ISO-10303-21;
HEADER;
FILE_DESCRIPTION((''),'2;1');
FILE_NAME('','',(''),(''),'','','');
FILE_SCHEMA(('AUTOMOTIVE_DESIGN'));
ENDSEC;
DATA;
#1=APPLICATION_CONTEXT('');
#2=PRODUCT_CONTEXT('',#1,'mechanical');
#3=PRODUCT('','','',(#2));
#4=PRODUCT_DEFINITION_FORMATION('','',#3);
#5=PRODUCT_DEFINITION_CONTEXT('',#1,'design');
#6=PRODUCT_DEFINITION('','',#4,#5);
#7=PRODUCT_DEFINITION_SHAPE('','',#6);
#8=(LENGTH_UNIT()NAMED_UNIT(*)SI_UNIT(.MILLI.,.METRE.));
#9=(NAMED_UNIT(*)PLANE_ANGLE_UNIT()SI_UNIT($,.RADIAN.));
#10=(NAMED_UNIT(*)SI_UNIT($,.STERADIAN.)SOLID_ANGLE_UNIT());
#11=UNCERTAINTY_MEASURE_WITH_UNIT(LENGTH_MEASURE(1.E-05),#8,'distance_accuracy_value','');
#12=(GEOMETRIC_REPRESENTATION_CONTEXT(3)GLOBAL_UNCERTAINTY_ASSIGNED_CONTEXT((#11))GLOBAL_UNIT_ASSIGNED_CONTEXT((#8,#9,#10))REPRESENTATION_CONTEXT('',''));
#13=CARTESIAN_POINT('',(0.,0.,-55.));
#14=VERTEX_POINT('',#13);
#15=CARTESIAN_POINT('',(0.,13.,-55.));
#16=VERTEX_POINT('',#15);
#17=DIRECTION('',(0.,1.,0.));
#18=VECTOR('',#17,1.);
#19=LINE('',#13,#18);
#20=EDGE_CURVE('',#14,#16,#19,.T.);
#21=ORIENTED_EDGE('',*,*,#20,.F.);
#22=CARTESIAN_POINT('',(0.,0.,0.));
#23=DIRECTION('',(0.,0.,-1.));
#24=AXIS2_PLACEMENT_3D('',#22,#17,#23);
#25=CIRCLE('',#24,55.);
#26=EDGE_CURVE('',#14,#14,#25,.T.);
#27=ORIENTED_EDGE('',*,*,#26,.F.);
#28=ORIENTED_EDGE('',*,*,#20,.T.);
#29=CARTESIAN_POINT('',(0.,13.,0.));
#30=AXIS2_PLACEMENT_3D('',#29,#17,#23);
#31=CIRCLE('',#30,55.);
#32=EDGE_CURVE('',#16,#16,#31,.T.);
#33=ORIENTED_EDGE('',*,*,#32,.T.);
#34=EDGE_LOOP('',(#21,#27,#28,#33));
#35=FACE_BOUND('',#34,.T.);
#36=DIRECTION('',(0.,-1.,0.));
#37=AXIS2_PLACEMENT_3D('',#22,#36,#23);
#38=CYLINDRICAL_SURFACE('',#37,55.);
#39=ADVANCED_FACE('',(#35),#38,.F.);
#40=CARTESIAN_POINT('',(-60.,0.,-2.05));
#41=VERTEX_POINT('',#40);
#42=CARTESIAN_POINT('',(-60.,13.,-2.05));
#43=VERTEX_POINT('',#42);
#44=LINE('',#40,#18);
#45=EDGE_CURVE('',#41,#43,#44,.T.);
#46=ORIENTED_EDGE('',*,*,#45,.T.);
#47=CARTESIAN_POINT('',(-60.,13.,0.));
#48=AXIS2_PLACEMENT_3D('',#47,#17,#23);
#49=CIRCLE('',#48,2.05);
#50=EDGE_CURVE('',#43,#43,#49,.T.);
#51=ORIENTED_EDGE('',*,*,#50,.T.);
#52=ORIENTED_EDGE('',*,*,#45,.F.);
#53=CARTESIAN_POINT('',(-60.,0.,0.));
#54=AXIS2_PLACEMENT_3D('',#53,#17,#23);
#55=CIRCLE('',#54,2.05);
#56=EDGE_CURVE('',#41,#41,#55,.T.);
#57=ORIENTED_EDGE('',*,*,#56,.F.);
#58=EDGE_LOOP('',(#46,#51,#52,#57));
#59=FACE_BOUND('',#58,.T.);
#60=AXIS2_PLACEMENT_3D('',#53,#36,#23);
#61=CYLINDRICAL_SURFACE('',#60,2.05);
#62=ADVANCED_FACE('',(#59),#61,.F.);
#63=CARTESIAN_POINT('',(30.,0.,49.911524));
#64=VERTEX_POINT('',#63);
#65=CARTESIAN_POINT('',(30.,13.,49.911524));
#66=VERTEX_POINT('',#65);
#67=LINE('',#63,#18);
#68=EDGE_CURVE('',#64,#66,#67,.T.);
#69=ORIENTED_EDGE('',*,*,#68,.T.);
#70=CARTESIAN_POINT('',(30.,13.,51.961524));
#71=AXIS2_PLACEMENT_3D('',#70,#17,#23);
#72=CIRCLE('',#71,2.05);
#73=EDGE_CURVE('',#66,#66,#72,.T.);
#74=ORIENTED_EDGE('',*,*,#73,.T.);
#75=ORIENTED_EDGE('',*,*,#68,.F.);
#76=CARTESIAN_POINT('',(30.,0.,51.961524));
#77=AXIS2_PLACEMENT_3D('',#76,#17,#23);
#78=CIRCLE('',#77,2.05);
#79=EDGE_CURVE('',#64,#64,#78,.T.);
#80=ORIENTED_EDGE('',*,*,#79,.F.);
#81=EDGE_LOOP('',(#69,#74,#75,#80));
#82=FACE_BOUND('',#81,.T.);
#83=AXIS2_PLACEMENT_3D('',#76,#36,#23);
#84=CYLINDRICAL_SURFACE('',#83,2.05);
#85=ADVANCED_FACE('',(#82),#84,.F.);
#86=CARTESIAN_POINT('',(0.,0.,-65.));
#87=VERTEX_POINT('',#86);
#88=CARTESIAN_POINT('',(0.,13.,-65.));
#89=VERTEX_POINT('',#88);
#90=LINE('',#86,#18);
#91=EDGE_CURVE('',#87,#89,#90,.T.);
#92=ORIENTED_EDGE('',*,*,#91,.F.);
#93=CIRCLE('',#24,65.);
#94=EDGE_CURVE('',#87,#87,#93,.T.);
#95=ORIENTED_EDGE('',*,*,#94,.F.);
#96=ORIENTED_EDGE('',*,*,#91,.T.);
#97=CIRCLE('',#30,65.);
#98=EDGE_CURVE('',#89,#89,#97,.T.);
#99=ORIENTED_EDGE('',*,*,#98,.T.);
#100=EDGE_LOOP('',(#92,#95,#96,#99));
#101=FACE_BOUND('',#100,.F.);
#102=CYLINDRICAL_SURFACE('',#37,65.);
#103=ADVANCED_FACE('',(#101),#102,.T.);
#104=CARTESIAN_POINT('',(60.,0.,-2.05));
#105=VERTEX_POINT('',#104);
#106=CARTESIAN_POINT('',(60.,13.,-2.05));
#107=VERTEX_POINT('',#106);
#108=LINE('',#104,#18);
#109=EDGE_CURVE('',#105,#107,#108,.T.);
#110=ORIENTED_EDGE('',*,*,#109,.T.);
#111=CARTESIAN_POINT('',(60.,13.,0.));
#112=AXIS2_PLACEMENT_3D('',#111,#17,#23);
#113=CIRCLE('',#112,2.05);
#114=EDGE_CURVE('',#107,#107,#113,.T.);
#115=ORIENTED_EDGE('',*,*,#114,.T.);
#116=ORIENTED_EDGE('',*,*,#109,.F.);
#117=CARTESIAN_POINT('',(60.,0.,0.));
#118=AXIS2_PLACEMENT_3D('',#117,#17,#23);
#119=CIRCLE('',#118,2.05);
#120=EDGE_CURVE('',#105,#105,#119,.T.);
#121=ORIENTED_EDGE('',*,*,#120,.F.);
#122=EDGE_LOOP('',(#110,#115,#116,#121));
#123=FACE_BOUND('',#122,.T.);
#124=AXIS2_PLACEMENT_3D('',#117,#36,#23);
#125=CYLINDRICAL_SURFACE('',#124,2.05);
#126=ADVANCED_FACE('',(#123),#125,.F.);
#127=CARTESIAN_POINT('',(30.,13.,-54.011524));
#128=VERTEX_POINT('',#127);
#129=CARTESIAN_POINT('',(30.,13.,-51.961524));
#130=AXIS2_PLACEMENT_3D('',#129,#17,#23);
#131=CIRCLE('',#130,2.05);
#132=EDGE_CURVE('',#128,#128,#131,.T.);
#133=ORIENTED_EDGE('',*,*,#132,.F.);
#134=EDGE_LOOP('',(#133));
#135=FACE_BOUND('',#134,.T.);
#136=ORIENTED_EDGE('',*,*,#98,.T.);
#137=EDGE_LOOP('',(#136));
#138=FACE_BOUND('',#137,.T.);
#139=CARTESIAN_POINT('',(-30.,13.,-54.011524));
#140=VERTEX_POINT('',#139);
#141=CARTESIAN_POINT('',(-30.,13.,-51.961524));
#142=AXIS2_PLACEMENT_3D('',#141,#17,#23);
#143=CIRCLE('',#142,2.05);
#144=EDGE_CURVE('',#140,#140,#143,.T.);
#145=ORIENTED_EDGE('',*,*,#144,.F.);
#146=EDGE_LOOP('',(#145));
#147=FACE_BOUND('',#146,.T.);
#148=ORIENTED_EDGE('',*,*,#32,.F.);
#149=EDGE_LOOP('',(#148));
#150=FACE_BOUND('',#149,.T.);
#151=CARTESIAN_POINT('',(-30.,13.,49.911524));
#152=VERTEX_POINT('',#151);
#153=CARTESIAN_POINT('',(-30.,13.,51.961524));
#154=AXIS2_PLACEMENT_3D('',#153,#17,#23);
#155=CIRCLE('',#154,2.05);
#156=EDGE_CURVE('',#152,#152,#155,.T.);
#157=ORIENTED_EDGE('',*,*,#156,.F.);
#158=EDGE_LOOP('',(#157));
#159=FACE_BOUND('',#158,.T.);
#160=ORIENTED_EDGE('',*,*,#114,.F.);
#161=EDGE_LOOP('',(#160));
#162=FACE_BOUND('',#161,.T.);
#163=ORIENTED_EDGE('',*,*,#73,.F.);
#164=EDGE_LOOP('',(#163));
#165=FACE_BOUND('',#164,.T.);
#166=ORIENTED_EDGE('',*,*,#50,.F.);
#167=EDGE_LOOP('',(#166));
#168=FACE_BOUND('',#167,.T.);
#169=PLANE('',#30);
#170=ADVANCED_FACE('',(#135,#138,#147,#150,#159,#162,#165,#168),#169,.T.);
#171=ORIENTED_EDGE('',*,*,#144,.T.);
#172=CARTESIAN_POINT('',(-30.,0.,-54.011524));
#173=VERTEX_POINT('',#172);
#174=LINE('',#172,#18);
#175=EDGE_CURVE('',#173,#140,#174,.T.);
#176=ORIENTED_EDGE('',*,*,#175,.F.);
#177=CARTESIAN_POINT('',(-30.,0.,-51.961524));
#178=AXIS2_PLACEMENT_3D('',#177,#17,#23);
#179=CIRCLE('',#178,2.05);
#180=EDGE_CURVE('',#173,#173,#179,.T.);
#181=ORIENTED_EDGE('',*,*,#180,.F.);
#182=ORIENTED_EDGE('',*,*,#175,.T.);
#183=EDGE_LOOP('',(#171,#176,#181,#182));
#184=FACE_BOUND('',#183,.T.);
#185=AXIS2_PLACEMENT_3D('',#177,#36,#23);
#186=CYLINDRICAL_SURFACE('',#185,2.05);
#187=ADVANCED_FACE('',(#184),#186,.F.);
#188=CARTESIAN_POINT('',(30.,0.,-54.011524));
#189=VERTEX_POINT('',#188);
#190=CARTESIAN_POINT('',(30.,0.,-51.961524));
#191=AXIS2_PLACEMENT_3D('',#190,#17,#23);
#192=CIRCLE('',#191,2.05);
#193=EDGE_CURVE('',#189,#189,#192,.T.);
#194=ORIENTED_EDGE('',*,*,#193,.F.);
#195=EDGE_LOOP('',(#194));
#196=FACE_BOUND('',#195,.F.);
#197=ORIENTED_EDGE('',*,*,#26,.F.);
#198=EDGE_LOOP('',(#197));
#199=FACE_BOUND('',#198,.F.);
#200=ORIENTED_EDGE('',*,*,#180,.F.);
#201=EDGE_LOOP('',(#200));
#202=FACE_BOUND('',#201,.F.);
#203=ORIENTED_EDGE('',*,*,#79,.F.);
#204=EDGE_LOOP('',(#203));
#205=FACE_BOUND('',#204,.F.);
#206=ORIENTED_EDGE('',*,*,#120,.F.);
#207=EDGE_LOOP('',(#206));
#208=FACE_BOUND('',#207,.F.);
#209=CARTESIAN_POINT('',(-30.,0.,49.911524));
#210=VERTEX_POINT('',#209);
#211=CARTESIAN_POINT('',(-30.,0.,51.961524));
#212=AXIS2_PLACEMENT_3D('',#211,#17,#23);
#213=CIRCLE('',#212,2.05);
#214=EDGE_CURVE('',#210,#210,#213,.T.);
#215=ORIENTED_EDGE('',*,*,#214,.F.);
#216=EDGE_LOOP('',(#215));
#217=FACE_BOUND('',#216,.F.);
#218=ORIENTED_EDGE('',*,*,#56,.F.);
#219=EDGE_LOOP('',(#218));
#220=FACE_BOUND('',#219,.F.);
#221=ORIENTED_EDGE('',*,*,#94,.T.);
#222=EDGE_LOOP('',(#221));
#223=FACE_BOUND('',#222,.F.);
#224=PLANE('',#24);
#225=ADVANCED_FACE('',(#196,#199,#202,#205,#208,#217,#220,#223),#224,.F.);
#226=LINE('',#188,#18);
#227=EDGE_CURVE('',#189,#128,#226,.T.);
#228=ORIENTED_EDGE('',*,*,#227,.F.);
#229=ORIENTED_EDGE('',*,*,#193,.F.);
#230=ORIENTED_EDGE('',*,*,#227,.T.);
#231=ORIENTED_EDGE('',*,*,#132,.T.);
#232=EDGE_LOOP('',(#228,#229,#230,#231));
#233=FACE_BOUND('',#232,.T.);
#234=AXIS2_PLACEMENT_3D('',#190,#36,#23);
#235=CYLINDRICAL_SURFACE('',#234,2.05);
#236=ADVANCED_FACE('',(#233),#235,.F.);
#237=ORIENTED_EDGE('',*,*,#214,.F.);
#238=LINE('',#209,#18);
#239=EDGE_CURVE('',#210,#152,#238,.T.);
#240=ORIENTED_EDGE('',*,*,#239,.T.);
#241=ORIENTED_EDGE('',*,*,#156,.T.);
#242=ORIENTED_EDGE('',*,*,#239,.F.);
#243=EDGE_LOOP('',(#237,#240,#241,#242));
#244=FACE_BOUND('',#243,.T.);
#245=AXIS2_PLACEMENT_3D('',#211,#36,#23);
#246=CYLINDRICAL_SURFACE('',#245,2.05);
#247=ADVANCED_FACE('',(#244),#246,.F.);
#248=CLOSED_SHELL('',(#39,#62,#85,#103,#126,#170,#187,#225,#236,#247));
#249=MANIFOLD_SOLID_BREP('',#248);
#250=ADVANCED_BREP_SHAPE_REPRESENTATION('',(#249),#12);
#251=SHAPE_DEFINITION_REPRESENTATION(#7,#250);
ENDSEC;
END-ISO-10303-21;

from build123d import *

# Parameters (mm, degrees)
SKETCH_1_R      = 65
SKETCH_1_R_2    = 55
SKETCH_1_R_3    = 2.05
EXTRUDE_1_DEPTH = 13


with BuildPart() as part:
    # 草图1 → 凸台-拉伸1 (new body)
    with BuildSketch(Plane(origin=(0, 0, 0), x_dir=(1, 0, 0), z_dir=(0, 1, 0))):
        with Locations(Location((0, 0, 0), (0, 0, 90))):
            Circle(SKETCH_1_R)
        with Locations(Location((0, 0, 0), (0, 0, 90))):
            Circle(SKETCH_1_R_2, mode=Mode.SUBTRACT)
        with Locations(Location((60, 0, 0), (0, 0, 90))):
            Circle(SKETCH_1_R_3, mode=Mode.SUBTRACT)
        with Locations(Location((30, -51.961524227, 0), (0, 0, 90))):
            Circle(SKETCH_1_R_3, mode=Mode.SUBTRACT)
        with Locations(Location((-30, -51.961524227, 0), (0, 0, 90))):
            Circle(SKETCH_1_R_3, mode=Mode.SUBTRACT)
        with Locations(Location((-60, 0, 0), (0, 0, 90))):
            Circle(SKETCH_1_R_3, mode=Mode.SUBTRACT)
        with Locations(Location((-30, 51.961524227, 0), (0, 0, 90))):
            Circle(SKETCH_1_R_3, mode=Mode.SUBTRACT)
        with Locations(Location((30, 51.961524227, 0), (0, 0, 90))):
            Circle(SKETCH_1_R_3, mode=Mode.SUBTRACT)
    extrude(amount=EXTRUDE_1_DEPTH)


solid = part.part
